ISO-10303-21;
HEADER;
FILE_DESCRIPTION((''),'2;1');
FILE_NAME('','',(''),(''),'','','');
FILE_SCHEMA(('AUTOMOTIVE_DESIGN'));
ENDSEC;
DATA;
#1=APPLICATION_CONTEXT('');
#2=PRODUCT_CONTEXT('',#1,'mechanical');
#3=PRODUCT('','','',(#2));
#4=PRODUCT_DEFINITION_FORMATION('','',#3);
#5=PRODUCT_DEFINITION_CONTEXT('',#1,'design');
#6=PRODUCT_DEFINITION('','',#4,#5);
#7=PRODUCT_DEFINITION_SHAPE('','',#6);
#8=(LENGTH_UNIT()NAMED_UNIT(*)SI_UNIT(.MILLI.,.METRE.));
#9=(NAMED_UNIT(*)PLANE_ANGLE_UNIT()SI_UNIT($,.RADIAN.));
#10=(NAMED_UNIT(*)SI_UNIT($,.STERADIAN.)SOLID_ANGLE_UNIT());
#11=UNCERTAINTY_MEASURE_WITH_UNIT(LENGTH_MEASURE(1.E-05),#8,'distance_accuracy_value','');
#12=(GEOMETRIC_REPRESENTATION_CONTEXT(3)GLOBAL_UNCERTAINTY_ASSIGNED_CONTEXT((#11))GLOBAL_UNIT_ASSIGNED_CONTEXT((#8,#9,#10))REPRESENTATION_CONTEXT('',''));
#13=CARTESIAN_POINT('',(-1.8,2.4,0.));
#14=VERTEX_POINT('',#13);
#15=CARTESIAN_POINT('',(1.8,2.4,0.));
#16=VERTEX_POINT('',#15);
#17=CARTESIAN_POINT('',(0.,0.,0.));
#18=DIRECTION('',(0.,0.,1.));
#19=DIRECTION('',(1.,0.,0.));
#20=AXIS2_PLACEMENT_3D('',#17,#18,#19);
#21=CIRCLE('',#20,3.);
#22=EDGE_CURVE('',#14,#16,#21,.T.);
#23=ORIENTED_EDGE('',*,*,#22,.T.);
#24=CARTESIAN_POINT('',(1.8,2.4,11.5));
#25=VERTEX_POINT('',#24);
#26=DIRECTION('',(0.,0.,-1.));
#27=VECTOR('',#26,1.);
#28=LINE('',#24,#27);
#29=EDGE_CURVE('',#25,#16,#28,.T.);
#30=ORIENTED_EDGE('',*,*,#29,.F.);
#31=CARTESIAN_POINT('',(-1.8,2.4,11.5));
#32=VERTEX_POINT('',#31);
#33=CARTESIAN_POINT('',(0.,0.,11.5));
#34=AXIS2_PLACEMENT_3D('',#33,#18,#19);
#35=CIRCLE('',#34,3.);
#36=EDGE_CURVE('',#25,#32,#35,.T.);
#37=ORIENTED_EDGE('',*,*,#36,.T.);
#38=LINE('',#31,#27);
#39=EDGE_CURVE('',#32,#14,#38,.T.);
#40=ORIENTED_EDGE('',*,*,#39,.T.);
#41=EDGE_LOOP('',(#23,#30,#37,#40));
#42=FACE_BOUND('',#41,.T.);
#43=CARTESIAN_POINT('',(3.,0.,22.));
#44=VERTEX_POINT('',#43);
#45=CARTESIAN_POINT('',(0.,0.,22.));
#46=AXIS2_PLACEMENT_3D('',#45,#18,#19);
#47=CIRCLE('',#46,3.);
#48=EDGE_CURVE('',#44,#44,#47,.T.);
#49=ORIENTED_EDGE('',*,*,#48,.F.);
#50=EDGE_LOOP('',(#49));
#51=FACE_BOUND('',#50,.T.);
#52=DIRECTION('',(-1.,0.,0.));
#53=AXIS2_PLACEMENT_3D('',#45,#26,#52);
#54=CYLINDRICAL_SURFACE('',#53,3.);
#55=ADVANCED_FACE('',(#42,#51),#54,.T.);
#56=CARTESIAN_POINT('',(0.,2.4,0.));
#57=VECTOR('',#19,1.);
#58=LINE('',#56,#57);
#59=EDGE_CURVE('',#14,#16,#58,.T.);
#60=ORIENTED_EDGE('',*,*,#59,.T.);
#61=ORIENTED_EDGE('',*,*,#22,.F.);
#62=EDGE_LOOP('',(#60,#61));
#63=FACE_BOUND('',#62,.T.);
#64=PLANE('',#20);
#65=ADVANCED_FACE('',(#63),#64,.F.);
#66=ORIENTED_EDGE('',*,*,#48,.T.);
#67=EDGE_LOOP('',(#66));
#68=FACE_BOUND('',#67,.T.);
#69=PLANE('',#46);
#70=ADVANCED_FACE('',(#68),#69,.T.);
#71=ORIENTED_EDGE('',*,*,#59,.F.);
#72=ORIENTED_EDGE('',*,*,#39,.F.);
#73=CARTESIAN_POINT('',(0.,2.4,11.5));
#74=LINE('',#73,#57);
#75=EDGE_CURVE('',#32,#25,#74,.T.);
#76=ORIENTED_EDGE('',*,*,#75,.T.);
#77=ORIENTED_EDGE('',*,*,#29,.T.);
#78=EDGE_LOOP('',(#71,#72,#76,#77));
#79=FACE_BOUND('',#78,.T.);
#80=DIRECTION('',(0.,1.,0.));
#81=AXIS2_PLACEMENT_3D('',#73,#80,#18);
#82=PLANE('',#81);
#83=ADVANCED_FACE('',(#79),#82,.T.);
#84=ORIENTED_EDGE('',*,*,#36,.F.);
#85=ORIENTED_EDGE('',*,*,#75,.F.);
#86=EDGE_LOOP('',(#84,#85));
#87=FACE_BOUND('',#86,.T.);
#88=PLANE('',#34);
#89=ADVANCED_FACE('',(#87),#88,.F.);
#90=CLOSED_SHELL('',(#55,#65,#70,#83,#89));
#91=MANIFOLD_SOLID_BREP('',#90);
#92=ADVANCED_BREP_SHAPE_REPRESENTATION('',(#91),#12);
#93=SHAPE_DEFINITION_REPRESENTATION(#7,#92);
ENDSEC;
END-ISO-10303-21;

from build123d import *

# Parameters (mm, degrees)
SKETCH1_R           = 3
BOSS_EXTRUDE1_DEPTH = 22
CUT_EXTRUDE1_DEPTH  = 11.5


with BuildPart() as part:
    # Sketch1 → Boss-Extrude1 (new body)
    with BuildSketch(Plane.XY):
        Circle(SKETCH1_R)
    extrude(amount=BOSS_EXTRUDE1_DEPTH)

    # Sketch1_3 → Cut-Extrude1 (cut)
    with BuildSketch(Plane.XY):
        Polygon((-26.249913495, 2.4), (-1.8, 2.4), (1.8, 2.4), (26.249913495, 2.4), (26.249913495, 51.299826989), (-26.249913495, 51.299826989), align=None)
    extrude(amount=CUT_EXTRUDE1_DEPTH, mode=Mode.SUBTRACT)


solid = part.part
